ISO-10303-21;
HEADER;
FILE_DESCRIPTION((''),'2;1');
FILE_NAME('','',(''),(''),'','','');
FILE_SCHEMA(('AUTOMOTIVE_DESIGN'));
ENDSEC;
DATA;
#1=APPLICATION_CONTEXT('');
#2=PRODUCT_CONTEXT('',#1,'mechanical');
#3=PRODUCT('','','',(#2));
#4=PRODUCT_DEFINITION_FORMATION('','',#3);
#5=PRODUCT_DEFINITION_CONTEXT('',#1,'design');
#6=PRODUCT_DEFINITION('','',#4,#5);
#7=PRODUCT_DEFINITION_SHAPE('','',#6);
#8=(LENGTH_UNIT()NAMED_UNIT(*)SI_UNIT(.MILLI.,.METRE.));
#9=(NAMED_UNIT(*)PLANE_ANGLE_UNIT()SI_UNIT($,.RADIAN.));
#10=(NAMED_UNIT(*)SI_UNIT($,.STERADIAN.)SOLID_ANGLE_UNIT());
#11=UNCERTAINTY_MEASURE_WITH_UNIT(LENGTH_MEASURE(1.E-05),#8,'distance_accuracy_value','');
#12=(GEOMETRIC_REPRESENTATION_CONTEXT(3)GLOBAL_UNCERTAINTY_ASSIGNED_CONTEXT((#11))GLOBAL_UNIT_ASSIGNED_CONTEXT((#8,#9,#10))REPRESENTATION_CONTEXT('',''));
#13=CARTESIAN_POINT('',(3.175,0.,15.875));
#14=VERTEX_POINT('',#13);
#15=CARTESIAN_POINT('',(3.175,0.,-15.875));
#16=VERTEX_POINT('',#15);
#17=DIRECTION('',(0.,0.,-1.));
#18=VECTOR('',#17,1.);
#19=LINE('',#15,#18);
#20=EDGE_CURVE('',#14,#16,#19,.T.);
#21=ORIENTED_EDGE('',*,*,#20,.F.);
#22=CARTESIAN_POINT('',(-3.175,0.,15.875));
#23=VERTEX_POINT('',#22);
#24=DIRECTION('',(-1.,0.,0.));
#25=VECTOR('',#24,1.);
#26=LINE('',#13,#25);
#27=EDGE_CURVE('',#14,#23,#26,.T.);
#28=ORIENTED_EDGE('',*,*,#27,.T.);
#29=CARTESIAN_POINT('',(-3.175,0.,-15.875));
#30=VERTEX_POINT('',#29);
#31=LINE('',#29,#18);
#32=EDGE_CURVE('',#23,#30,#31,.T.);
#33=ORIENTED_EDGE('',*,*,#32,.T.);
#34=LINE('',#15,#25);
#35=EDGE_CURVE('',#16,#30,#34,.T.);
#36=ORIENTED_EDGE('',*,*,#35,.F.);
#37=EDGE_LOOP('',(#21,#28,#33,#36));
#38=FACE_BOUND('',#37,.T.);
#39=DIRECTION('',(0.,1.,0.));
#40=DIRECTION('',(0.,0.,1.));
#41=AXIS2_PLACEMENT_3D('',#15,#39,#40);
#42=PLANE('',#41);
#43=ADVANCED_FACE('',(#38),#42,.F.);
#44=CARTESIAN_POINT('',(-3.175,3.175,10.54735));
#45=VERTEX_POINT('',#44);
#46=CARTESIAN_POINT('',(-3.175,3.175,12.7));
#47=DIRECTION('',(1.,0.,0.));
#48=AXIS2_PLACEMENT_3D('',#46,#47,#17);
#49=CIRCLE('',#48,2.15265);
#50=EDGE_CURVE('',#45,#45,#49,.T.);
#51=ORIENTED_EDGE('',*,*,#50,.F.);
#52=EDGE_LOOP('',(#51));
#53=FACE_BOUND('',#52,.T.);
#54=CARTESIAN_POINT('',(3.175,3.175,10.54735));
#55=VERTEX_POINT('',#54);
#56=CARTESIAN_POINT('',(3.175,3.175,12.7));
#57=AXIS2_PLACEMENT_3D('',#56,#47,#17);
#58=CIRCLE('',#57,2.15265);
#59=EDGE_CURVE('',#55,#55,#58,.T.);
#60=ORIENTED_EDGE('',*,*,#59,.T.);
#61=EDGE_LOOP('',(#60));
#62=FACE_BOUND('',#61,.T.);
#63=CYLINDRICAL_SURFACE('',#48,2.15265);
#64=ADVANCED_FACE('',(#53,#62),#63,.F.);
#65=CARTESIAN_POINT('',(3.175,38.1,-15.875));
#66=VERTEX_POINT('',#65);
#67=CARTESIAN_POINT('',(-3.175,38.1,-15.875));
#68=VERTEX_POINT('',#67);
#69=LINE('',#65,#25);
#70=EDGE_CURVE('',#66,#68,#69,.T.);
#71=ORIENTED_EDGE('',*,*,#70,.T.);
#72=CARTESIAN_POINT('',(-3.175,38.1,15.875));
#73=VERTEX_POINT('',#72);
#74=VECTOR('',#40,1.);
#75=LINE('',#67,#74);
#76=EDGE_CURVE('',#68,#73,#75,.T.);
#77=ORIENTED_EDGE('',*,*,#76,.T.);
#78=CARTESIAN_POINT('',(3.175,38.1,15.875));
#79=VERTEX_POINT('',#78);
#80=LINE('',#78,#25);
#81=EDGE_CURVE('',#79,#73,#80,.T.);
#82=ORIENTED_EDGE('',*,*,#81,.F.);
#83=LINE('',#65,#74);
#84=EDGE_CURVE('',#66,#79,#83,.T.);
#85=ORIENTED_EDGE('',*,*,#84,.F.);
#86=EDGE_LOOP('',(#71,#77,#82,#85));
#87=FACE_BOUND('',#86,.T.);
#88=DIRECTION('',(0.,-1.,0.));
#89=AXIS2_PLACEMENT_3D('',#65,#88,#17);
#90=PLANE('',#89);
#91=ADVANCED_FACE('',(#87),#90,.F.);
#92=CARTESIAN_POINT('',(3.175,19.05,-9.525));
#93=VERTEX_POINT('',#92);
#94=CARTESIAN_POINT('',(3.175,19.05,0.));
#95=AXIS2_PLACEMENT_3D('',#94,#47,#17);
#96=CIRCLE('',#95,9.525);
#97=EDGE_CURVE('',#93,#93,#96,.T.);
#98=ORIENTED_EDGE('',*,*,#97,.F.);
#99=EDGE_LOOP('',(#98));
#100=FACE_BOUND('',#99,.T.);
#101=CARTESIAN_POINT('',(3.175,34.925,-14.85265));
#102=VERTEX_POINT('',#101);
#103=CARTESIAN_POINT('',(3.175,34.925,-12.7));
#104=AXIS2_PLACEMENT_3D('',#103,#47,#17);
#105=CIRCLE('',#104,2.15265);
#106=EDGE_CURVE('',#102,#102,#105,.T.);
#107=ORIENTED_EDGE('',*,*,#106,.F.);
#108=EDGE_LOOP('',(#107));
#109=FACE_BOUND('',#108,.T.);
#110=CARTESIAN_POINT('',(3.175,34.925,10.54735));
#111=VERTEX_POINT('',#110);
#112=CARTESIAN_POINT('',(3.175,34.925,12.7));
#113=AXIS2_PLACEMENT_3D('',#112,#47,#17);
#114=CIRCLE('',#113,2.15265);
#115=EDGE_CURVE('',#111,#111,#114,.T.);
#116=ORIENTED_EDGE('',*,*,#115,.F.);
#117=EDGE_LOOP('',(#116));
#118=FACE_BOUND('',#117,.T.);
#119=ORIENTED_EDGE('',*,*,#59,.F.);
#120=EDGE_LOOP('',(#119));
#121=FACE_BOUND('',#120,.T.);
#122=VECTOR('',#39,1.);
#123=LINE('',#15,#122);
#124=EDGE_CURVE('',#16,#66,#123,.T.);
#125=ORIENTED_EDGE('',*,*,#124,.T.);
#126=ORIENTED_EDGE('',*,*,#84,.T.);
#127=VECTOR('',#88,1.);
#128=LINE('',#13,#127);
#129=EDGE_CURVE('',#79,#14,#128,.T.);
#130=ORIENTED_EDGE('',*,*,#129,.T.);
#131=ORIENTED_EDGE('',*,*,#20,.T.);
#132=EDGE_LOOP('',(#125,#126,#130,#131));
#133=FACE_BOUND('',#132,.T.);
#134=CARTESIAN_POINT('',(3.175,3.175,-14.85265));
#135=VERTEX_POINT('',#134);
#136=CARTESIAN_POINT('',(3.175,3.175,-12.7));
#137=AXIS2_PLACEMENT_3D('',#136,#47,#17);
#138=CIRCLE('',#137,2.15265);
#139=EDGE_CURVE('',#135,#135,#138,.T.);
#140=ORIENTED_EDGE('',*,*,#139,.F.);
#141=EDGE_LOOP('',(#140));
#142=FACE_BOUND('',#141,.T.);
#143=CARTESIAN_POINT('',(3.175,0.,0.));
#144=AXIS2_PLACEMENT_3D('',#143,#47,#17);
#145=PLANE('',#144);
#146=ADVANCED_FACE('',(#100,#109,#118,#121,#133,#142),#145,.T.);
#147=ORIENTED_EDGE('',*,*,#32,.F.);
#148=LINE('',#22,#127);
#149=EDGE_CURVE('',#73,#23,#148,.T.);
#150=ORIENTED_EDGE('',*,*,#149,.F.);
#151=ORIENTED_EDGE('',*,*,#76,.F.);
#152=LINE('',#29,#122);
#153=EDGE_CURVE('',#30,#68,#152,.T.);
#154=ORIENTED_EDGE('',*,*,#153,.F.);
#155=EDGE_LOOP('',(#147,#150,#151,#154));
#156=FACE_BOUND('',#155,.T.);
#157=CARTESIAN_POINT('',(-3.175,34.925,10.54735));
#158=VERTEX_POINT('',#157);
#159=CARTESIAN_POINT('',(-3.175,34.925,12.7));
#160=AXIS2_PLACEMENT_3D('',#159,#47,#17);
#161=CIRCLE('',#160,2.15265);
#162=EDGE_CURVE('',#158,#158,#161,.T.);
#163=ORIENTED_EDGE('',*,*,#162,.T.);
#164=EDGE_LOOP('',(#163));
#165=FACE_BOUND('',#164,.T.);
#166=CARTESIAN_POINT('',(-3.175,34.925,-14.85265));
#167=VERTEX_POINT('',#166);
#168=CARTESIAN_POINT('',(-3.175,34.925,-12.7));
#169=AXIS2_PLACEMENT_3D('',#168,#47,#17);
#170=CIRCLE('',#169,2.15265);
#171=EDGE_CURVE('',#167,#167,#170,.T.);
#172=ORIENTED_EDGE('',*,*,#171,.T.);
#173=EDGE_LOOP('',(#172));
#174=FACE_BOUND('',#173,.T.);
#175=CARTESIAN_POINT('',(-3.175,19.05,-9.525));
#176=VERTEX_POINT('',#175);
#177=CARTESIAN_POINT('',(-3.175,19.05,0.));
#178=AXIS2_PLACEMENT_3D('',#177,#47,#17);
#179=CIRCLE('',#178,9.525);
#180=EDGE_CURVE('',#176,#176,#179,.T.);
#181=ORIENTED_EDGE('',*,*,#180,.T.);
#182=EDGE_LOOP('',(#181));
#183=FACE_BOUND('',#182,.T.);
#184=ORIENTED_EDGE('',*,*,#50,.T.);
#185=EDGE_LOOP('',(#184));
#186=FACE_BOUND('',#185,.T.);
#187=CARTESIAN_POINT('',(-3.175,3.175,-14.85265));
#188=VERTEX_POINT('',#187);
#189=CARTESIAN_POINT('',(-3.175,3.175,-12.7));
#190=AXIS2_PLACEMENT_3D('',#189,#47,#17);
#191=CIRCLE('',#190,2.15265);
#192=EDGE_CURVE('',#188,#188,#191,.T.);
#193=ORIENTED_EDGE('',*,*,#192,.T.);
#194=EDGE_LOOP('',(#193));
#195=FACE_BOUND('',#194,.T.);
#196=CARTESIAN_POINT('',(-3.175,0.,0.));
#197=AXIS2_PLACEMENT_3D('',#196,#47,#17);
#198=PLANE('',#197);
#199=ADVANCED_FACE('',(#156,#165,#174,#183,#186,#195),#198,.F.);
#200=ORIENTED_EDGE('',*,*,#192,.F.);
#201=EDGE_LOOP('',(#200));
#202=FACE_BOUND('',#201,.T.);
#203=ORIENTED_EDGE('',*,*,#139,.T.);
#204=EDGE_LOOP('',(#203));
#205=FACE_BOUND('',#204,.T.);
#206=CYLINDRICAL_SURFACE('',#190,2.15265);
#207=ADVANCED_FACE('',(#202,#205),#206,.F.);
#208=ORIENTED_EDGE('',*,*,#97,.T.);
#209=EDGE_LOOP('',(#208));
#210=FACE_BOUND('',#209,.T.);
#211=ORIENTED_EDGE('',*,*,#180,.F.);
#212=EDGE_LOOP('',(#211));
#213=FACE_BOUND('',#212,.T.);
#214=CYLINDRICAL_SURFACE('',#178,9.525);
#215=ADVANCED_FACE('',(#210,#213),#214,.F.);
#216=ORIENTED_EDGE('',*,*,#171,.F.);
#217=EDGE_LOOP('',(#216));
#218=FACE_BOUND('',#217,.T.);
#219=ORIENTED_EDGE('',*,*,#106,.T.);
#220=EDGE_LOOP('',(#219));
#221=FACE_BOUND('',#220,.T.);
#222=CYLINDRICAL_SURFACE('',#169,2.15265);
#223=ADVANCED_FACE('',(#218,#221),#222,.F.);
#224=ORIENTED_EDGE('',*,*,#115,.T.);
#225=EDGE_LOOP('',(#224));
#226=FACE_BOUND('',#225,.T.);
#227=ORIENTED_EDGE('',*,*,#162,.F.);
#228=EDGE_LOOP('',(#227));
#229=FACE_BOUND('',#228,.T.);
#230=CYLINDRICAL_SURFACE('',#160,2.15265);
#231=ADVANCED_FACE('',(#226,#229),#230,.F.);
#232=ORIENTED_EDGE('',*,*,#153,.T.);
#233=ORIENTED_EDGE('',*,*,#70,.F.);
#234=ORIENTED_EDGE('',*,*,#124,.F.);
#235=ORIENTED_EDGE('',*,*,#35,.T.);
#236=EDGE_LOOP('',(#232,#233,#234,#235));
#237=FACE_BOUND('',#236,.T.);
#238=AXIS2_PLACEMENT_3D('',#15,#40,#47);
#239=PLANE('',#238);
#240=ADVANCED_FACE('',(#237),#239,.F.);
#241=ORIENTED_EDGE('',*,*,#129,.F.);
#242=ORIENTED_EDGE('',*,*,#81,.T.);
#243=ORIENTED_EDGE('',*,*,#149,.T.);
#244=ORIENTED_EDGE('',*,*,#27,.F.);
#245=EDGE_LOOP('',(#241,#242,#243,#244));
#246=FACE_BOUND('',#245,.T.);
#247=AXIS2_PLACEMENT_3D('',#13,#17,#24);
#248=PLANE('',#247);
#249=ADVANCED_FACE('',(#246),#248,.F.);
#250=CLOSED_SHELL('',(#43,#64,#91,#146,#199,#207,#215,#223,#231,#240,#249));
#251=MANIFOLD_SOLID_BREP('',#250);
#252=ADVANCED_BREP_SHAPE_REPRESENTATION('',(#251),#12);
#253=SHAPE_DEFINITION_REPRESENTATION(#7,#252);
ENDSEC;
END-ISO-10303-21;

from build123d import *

# Parameters (mm, degrees)
SKETCH1_W           = 31.75
SKETCH1_H           = 38.1
BOSS_EXTRUDE1_DEPTH = 3.175
SKETCH2_R           = 2.15265
CUT_EXTRUDE1_DEPTH  = 42.760604941
SKETCH3_R           = 9.525
CUT_EXTRUDE2_DEPTH  = 42.760604941


with BuildPart() as part:
    # Sketch1 → Boss-Extrude1 (new, symmetric)
    with BuildSketch(Plane(origin=(0, 0, 0), x_dir=(0, 0, -1), z_dir=(1, 0, 0))):
        with Locations((0, 19.05)):
            Rectangle(SKETCH1_W, SKETCH1_H)
    extrude(amount=BOSS_EXTRUDE1_DEPTH, both=True)

    # Sketch2 → Cut-Extrude1 (cut, through all)
    with BuildSketch(Plane(origin=(3.175, 0, 0), x_dir=(0, 0, -1), z_dir=(1, 0, 0))):
        with Locations((-12.7, 3.175)):
            Circle(SKETCH2_R)
        with Locations((-12.7, 34.925)):
            Circle(SKETCH2_R)
        with Locations((12.7, 3.175)):
            Circle(SKETCH2_R)
        with Locations((12.7, 34.925)):
            Circle(SKETCH2_R)
    extrude(amount=-CUT_EXTRUDE1_DEPTH, mode=Mode.SUBTRACT)

    # Sketch3 → Cut-Extrude2 (cut, through all)
    with BuildSketch(Plane(origin=(3.175, 0, 0), x_dir=(0, 0, -1), z_dir=(1, 0, 0))):
        with Locations((0, 19.05)):
            Circle(SKETCH3_R)
    extrude(amount=-CUT_EXTRUDE2_DEPTH, mode=Mode.SUBTRACT)


solid = part.part
